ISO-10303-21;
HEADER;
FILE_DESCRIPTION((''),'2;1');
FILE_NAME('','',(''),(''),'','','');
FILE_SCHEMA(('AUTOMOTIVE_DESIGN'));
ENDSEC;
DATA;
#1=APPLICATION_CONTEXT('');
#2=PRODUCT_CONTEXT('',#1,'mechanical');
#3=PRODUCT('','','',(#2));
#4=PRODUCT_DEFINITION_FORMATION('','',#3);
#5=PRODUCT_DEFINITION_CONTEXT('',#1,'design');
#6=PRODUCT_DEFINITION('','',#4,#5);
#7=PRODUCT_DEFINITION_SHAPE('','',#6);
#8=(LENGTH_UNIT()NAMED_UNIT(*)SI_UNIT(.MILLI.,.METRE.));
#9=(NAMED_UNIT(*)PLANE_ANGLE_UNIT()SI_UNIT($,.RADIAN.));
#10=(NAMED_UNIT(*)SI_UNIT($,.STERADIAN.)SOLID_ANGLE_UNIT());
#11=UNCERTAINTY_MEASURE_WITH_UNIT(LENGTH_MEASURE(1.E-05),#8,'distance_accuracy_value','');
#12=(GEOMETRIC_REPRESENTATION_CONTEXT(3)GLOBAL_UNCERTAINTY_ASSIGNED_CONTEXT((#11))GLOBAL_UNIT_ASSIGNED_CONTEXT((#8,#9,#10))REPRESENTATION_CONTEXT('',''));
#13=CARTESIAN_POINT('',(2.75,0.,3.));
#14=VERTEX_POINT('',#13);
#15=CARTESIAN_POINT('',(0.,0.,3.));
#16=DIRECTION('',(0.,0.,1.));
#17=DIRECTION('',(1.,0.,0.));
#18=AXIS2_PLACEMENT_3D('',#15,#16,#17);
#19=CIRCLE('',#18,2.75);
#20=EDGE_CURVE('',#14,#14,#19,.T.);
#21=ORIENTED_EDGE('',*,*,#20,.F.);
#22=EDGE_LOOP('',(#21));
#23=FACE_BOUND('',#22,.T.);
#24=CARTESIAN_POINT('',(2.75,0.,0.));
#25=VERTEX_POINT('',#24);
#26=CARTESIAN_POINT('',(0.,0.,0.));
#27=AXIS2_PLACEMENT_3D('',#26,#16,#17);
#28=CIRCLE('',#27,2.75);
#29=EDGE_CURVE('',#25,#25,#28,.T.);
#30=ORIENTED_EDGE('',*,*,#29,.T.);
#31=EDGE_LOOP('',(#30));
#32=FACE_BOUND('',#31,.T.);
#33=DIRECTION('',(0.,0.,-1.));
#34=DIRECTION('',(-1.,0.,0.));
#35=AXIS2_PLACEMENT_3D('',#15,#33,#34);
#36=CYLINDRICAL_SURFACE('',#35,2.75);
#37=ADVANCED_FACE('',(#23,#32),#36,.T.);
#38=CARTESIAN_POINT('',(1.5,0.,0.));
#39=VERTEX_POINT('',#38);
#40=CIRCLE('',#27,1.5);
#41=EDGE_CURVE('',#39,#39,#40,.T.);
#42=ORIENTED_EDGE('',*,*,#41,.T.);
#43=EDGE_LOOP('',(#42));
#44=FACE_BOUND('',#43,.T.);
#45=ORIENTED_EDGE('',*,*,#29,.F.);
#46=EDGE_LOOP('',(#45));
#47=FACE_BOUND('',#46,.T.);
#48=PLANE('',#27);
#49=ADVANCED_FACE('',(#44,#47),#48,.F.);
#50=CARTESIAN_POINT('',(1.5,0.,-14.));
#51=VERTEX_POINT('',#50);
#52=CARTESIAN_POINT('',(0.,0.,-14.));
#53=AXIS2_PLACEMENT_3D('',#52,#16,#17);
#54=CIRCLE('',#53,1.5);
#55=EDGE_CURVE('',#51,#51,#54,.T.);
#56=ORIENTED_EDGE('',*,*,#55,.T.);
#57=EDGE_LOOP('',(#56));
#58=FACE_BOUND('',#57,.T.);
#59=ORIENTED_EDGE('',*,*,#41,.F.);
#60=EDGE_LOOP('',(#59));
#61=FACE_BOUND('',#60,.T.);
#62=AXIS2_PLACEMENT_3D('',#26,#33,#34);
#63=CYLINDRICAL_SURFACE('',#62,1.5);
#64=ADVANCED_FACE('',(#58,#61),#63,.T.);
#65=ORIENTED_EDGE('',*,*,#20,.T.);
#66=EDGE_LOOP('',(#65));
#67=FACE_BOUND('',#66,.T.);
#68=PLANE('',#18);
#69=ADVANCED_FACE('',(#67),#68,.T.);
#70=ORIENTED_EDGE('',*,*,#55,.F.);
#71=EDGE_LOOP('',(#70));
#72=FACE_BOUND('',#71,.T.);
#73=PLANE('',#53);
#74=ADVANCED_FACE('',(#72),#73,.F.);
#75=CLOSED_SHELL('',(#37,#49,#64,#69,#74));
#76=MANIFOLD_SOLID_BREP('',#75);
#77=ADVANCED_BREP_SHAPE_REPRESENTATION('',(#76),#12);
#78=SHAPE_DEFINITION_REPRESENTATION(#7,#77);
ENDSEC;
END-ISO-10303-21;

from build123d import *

# Parameters (mm, degrees)
SHANK_NOMINAL_THREAD_ENVELOPE_START     = -14
SHANK_NOMINAL_THREAD_ENVELOPE_PROFILE_R = 1.5
SHANK_NOMINAL_THREAD_ENVELOPE_DEPTH     = 14
SOCKET_HEAD_ENVELOPE_PROFILE_R          = 2.75
SOCKET_HEAD_ENVELOPE_DEPTH              = 3


with BuildPart() as part:
    # Shank_nominal_thread_envelope_profile → Shank_nominal_thread_envelope (new body)
    with BuildSketch(Plane.XY.offset(SHANK_NOMINAL_THREAD_ENVELOPE_START)):
        Circle(SHANK_NOMINAL_THREAD_ENVELOPE_PROFILE_R)
    extrude(amount=SHANK_NOMINAL_THREAD_ENVELOPE_DEPTH)

    # Socket_head_envelope_profile → Socket_head_envelope (add)
    with BuildSketch(Plane.XY):
        Circle(SOCKET_HEAD_ENVELOPE_PROFILE_R)
    extrude(amount=SOCKET_HEAD_ENVELOPE_DEPTH)


solid = part.part
